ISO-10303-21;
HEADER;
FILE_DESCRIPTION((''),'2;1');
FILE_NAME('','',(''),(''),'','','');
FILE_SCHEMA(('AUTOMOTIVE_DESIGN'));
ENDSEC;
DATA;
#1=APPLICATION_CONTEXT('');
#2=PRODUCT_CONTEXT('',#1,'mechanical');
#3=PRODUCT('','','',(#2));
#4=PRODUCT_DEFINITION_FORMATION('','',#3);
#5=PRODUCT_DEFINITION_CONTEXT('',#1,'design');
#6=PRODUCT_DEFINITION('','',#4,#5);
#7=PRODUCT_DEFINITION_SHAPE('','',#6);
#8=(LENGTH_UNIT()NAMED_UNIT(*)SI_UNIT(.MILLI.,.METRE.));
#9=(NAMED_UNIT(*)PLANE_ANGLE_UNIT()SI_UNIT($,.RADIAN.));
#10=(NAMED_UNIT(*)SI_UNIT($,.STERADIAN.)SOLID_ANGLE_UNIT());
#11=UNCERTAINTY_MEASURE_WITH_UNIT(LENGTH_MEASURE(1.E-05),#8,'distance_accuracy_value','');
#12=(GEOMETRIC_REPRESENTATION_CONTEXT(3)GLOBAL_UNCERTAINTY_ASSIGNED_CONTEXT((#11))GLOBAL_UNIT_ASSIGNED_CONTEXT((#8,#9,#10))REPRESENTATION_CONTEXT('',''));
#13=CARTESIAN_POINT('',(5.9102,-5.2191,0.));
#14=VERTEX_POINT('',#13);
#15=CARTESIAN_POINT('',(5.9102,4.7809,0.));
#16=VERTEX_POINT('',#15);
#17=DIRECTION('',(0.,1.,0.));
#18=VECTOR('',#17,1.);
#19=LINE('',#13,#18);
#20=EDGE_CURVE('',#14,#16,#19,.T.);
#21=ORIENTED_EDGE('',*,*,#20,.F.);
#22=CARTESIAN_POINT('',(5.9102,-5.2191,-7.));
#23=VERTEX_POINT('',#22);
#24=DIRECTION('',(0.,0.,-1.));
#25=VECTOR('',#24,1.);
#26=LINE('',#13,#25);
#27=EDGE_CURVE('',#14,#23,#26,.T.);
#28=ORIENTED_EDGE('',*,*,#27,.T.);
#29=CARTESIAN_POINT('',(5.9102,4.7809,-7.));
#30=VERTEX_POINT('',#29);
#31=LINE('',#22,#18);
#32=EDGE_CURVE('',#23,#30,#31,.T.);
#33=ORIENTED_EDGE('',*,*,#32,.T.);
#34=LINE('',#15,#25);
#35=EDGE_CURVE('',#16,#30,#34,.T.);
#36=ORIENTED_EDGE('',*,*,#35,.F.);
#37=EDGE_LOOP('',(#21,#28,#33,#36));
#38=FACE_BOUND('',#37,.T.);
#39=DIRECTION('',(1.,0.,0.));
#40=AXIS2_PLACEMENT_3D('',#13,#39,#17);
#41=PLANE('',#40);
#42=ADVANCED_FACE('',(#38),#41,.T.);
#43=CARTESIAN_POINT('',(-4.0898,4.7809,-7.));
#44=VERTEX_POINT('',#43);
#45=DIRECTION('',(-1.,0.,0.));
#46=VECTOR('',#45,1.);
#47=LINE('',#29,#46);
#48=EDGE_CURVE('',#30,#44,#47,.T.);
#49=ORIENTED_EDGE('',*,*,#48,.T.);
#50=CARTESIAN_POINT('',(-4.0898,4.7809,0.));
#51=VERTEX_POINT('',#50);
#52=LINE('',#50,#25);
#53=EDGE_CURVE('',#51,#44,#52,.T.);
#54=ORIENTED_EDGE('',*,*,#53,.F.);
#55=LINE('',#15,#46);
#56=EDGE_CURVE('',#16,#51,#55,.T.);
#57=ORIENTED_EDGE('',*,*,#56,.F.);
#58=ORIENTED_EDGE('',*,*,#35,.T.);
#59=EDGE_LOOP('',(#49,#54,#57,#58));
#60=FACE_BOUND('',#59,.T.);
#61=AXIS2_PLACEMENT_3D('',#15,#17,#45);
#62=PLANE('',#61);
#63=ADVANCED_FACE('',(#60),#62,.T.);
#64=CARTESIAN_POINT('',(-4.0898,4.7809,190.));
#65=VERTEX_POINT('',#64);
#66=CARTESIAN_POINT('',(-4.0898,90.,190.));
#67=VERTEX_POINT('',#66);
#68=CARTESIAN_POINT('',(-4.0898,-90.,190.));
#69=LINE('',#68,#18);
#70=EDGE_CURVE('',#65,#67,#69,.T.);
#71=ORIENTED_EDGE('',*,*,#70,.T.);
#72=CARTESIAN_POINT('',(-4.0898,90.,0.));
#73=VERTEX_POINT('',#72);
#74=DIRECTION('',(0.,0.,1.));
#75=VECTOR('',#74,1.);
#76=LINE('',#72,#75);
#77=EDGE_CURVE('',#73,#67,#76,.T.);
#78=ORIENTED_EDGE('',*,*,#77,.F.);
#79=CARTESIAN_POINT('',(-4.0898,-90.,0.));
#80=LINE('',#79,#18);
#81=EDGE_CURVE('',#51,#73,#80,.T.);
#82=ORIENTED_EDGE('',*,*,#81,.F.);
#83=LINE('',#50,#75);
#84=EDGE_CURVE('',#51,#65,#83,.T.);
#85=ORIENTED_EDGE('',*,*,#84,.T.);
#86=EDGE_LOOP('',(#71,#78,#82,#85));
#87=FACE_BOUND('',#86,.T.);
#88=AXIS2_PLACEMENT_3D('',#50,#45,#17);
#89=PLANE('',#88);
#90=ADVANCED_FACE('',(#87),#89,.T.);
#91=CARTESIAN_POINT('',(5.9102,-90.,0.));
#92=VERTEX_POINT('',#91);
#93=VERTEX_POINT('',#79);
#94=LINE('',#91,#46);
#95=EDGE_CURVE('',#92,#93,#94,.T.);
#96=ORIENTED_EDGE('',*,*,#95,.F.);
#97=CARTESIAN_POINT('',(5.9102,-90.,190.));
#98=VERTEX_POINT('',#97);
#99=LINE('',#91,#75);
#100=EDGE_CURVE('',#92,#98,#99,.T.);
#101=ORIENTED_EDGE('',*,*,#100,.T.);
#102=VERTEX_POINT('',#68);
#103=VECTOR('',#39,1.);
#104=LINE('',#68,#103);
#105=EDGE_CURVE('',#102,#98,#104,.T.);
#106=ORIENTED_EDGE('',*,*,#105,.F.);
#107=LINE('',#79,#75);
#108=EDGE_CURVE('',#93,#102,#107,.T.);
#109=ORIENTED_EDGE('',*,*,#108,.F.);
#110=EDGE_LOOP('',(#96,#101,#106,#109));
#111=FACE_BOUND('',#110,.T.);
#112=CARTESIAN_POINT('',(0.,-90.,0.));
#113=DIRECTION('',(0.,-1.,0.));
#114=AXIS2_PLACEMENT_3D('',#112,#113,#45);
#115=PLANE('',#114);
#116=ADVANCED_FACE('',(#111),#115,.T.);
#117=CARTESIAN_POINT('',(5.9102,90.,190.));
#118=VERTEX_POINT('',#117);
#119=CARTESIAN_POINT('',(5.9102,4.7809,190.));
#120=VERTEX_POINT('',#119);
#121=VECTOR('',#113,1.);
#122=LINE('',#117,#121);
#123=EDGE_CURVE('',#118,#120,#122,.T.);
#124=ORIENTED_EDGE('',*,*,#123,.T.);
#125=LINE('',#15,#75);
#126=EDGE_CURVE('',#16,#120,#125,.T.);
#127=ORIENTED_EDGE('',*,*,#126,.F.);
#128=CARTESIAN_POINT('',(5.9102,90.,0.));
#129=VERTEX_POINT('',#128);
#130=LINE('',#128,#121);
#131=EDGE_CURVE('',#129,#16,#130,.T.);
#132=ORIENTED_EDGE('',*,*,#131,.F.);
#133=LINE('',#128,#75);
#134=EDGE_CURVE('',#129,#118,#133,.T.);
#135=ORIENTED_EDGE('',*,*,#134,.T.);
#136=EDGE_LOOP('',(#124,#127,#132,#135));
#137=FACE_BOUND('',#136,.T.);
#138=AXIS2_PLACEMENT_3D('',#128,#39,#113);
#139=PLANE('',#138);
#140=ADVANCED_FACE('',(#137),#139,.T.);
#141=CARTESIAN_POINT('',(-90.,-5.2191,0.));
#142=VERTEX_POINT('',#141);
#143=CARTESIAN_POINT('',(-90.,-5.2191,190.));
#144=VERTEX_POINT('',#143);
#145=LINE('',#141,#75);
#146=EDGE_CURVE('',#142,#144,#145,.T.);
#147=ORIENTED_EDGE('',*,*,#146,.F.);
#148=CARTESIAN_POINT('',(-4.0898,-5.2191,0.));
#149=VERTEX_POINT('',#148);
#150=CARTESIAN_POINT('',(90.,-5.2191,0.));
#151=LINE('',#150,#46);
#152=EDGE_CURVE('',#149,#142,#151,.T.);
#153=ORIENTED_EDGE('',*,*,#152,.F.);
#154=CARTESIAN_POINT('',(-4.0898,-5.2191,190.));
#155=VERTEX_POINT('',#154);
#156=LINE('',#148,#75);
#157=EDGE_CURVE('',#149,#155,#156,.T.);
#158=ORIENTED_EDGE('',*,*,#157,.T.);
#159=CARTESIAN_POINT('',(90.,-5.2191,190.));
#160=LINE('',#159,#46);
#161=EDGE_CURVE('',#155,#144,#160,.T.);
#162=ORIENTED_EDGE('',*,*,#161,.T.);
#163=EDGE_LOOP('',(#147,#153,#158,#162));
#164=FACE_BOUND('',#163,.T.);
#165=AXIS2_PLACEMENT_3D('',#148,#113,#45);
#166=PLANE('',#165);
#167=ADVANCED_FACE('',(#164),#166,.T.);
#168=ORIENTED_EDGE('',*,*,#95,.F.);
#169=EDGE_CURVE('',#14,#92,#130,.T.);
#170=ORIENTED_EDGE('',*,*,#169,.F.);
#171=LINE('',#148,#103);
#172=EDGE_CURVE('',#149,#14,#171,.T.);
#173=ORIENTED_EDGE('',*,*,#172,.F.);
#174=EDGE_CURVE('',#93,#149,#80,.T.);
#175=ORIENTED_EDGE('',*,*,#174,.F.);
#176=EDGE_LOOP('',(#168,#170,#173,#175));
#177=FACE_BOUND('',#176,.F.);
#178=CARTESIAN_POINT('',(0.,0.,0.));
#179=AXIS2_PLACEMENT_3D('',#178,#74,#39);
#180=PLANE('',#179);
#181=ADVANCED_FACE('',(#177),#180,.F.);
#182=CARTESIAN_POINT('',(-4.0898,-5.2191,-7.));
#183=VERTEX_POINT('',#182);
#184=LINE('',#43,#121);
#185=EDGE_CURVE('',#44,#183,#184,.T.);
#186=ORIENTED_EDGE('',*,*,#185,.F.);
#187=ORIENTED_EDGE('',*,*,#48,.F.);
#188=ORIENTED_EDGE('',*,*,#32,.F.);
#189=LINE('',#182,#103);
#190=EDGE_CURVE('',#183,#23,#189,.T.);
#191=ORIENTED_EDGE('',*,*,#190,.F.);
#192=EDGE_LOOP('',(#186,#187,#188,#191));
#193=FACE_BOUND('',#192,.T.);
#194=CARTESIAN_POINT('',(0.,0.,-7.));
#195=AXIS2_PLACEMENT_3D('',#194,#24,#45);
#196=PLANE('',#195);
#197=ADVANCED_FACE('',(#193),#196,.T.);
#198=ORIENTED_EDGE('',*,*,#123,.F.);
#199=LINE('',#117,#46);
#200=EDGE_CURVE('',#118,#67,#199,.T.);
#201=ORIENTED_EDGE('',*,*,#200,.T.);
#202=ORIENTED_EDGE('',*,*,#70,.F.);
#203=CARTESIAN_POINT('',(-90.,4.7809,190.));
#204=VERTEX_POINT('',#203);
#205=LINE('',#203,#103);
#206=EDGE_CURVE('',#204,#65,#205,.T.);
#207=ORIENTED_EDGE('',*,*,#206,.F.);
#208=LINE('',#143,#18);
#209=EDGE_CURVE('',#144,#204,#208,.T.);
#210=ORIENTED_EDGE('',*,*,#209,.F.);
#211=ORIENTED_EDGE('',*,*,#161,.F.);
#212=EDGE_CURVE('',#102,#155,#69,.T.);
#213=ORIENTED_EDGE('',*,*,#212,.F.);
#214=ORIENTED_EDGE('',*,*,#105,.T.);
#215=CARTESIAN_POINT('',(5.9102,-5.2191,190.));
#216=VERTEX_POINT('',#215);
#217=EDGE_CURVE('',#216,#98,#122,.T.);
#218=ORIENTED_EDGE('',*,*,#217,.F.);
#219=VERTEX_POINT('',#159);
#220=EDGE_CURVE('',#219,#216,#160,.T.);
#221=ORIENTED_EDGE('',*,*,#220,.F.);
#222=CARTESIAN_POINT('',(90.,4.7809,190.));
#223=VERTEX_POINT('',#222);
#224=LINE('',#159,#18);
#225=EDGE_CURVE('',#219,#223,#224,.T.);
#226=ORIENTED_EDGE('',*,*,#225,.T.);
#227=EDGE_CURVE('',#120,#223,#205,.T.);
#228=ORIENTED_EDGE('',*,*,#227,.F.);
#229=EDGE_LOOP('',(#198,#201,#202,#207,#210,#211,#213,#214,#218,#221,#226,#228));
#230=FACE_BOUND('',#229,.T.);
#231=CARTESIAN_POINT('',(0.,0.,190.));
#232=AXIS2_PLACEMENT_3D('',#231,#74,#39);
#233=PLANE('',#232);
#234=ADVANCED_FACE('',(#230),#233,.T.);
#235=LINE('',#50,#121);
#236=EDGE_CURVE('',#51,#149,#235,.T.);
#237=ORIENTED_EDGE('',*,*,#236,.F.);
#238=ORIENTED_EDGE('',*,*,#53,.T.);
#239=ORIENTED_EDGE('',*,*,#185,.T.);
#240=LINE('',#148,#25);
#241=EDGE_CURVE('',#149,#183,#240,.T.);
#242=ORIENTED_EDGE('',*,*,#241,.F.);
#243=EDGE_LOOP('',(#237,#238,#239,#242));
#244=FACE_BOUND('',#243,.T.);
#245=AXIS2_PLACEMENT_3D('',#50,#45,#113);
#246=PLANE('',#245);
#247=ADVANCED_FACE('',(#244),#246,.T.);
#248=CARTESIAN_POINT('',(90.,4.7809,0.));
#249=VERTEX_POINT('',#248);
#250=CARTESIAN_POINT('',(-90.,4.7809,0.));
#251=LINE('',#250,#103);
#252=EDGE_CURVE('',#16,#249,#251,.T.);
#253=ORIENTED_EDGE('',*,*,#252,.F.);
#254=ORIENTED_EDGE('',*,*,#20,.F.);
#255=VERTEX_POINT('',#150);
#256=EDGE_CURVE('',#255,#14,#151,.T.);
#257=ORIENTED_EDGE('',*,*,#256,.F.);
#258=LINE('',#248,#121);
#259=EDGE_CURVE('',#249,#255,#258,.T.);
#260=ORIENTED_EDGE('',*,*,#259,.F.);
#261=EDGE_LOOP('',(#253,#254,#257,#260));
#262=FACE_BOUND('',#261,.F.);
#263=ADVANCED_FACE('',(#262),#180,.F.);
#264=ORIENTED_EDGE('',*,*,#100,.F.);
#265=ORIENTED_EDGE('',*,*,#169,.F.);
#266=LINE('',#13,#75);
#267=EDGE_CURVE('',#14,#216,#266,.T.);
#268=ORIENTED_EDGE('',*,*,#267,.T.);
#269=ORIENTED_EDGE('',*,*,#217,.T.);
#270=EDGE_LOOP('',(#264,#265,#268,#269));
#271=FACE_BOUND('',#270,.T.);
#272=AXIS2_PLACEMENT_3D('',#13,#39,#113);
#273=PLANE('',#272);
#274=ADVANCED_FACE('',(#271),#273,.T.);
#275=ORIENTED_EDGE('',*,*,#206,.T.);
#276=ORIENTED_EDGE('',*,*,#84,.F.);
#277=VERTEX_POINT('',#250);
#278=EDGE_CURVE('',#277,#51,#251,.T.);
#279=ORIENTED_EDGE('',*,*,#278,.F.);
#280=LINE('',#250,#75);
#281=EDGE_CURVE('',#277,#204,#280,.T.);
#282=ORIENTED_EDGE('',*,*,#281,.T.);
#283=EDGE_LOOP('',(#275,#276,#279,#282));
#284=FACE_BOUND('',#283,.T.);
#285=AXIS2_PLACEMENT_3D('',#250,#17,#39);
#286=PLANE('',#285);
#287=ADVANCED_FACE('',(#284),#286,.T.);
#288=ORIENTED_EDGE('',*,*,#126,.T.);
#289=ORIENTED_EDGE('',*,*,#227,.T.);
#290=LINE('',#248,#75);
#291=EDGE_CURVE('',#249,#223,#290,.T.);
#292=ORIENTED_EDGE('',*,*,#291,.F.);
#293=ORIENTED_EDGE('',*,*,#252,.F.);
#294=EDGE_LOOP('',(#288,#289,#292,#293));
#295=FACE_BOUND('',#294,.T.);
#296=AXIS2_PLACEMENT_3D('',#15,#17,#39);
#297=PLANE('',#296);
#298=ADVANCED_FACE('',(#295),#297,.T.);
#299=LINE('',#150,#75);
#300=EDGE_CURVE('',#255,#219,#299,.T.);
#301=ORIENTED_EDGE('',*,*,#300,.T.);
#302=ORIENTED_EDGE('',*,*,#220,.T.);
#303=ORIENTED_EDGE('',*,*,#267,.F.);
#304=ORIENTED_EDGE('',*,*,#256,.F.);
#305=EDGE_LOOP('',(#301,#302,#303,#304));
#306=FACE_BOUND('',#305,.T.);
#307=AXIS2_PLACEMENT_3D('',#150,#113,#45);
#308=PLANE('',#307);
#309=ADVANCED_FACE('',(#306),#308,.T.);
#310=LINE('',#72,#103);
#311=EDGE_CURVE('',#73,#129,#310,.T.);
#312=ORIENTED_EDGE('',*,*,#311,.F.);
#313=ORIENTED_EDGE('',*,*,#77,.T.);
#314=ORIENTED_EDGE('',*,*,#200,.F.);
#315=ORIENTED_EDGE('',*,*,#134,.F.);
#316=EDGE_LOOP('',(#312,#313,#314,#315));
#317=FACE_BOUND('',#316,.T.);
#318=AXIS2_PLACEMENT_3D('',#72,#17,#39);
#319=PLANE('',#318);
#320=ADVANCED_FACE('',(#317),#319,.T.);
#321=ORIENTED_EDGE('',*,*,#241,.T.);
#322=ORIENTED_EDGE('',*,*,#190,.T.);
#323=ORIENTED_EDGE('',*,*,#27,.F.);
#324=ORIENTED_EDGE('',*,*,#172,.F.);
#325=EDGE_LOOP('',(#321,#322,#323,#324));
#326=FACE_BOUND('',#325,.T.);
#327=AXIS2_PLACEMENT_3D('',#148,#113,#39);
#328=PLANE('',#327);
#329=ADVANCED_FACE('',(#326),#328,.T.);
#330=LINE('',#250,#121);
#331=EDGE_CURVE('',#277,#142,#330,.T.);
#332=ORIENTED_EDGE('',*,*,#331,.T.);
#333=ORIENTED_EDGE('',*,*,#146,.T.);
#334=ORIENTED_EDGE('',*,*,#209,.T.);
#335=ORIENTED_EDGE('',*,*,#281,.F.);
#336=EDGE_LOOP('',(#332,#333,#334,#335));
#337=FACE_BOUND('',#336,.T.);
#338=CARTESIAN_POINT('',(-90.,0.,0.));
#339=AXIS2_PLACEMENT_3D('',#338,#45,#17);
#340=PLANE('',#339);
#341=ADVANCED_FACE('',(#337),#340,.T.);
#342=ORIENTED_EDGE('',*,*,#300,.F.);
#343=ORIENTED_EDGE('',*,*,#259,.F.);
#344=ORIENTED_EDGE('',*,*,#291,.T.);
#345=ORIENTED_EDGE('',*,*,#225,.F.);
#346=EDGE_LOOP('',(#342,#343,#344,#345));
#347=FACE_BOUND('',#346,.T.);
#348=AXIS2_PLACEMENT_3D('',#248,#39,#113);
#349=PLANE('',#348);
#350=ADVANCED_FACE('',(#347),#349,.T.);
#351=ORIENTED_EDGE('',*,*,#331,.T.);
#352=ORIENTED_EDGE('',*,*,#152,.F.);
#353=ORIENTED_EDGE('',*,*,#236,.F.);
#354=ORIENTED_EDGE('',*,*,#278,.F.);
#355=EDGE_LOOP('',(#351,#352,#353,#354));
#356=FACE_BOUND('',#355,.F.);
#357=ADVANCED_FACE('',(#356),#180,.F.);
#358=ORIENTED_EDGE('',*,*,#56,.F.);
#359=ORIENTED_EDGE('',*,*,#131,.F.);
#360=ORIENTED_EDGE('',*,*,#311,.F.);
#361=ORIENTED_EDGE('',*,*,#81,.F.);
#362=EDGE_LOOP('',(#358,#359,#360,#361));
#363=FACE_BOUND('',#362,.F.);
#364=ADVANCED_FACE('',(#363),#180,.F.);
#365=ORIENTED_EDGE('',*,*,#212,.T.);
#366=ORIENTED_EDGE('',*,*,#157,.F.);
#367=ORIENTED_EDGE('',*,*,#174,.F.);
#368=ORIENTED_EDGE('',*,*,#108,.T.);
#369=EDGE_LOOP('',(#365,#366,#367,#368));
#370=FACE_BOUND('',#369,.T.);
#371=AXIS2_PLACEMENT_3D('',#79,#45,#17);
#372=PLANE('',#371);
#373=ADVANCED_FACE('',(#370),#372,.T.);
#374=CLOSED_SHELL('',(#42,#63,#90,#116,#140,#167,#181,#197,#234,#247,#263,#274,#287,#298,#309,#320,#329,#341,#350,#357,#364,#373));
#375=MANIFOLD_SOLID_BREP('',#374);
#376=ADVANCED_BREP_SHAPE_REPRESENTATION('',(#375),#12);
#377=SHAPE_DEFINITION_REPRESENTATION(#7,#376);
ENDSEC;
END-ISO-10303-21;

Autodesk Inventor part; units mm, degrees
ref_plane "YZ Plane" through (0, 0, 0) normal (1, 0, 0) x (0, 1, 0)
ref_plane "XZ Plane" through (0, 0, 0) normal (0, 1, 0) x (-1, 0, 0)
ref_plane "XY Plane" through (0, 0, 0) normal (0, 0, 1) x (1, 0, 0)
sketch "Skizze1" plane through (0, 0, 0) normal (0, 0, 1) x (1, 0, 0)
  line L0 (-126, 0) -> (126, 0) projected
  line L1 (0, -126) -> (0, 126) projected
  line L2 (-90, 4.7809) -> (90, 4.7809)
  line L3 (90, 4.7809) -> (90, -5.2191)
  line L4 (90, -5.2191) -> (-90, -5.2191)
  line L5 (-90, -5.2191) -> (-90, 4.7809)
  line L6 (-4.0898, 90) -> (5.9102, 90)
  line L7 (5.9102, 90) -> (5.9102, -90)
  line L8 (5.9102, -90) -> (-4.0898, -90)
  line L9 (-4.0898, -90) -> (-4.0898, 90)
  point P0 (0, 0)
  point P1 (-4.0898, 4.7809)
  point P2 (-4.0898, -5.2191)
  point P3 (5.9102, -5.2191)
  point P4 (5.9102, 4.7809)
  dimension "d0" = 10
  dimension "d1" = 180
  dimension "d2" = 90
  dimension "d3" = 10
  dimension "d4" = 180
  dimension "d5" = 90
extrude "Extrusion1" add sketch "Skizze1" along normal blind 190
sketch "Skizze2" plane through (0, 0, 0) normal (0, 0, -1) x (-1, 0, 0)
  line L0 (-90, 4.7809) -> (-5.9102, 4.7809) projected
  line L1 (90, -5.2191) -> (4.0898, -5.2191) projected
  line L2 (-5.9102, 4.7809) -> (4.0898, 4.7809)
  line L3 (4.0898, 4.7809) -> (4.0898, -5.2191)
  line L4 (4.0898, -5.2191) -> (-5.9102, -5.2191)
  line L5 (-5.9102, -5.2191) -> (-5.9102, 4.7809)
  point P0 (0, 0)
extrude "Extrusion2" add sketch "Skizze2" along normal blind 7
properties part number "Gitter"
